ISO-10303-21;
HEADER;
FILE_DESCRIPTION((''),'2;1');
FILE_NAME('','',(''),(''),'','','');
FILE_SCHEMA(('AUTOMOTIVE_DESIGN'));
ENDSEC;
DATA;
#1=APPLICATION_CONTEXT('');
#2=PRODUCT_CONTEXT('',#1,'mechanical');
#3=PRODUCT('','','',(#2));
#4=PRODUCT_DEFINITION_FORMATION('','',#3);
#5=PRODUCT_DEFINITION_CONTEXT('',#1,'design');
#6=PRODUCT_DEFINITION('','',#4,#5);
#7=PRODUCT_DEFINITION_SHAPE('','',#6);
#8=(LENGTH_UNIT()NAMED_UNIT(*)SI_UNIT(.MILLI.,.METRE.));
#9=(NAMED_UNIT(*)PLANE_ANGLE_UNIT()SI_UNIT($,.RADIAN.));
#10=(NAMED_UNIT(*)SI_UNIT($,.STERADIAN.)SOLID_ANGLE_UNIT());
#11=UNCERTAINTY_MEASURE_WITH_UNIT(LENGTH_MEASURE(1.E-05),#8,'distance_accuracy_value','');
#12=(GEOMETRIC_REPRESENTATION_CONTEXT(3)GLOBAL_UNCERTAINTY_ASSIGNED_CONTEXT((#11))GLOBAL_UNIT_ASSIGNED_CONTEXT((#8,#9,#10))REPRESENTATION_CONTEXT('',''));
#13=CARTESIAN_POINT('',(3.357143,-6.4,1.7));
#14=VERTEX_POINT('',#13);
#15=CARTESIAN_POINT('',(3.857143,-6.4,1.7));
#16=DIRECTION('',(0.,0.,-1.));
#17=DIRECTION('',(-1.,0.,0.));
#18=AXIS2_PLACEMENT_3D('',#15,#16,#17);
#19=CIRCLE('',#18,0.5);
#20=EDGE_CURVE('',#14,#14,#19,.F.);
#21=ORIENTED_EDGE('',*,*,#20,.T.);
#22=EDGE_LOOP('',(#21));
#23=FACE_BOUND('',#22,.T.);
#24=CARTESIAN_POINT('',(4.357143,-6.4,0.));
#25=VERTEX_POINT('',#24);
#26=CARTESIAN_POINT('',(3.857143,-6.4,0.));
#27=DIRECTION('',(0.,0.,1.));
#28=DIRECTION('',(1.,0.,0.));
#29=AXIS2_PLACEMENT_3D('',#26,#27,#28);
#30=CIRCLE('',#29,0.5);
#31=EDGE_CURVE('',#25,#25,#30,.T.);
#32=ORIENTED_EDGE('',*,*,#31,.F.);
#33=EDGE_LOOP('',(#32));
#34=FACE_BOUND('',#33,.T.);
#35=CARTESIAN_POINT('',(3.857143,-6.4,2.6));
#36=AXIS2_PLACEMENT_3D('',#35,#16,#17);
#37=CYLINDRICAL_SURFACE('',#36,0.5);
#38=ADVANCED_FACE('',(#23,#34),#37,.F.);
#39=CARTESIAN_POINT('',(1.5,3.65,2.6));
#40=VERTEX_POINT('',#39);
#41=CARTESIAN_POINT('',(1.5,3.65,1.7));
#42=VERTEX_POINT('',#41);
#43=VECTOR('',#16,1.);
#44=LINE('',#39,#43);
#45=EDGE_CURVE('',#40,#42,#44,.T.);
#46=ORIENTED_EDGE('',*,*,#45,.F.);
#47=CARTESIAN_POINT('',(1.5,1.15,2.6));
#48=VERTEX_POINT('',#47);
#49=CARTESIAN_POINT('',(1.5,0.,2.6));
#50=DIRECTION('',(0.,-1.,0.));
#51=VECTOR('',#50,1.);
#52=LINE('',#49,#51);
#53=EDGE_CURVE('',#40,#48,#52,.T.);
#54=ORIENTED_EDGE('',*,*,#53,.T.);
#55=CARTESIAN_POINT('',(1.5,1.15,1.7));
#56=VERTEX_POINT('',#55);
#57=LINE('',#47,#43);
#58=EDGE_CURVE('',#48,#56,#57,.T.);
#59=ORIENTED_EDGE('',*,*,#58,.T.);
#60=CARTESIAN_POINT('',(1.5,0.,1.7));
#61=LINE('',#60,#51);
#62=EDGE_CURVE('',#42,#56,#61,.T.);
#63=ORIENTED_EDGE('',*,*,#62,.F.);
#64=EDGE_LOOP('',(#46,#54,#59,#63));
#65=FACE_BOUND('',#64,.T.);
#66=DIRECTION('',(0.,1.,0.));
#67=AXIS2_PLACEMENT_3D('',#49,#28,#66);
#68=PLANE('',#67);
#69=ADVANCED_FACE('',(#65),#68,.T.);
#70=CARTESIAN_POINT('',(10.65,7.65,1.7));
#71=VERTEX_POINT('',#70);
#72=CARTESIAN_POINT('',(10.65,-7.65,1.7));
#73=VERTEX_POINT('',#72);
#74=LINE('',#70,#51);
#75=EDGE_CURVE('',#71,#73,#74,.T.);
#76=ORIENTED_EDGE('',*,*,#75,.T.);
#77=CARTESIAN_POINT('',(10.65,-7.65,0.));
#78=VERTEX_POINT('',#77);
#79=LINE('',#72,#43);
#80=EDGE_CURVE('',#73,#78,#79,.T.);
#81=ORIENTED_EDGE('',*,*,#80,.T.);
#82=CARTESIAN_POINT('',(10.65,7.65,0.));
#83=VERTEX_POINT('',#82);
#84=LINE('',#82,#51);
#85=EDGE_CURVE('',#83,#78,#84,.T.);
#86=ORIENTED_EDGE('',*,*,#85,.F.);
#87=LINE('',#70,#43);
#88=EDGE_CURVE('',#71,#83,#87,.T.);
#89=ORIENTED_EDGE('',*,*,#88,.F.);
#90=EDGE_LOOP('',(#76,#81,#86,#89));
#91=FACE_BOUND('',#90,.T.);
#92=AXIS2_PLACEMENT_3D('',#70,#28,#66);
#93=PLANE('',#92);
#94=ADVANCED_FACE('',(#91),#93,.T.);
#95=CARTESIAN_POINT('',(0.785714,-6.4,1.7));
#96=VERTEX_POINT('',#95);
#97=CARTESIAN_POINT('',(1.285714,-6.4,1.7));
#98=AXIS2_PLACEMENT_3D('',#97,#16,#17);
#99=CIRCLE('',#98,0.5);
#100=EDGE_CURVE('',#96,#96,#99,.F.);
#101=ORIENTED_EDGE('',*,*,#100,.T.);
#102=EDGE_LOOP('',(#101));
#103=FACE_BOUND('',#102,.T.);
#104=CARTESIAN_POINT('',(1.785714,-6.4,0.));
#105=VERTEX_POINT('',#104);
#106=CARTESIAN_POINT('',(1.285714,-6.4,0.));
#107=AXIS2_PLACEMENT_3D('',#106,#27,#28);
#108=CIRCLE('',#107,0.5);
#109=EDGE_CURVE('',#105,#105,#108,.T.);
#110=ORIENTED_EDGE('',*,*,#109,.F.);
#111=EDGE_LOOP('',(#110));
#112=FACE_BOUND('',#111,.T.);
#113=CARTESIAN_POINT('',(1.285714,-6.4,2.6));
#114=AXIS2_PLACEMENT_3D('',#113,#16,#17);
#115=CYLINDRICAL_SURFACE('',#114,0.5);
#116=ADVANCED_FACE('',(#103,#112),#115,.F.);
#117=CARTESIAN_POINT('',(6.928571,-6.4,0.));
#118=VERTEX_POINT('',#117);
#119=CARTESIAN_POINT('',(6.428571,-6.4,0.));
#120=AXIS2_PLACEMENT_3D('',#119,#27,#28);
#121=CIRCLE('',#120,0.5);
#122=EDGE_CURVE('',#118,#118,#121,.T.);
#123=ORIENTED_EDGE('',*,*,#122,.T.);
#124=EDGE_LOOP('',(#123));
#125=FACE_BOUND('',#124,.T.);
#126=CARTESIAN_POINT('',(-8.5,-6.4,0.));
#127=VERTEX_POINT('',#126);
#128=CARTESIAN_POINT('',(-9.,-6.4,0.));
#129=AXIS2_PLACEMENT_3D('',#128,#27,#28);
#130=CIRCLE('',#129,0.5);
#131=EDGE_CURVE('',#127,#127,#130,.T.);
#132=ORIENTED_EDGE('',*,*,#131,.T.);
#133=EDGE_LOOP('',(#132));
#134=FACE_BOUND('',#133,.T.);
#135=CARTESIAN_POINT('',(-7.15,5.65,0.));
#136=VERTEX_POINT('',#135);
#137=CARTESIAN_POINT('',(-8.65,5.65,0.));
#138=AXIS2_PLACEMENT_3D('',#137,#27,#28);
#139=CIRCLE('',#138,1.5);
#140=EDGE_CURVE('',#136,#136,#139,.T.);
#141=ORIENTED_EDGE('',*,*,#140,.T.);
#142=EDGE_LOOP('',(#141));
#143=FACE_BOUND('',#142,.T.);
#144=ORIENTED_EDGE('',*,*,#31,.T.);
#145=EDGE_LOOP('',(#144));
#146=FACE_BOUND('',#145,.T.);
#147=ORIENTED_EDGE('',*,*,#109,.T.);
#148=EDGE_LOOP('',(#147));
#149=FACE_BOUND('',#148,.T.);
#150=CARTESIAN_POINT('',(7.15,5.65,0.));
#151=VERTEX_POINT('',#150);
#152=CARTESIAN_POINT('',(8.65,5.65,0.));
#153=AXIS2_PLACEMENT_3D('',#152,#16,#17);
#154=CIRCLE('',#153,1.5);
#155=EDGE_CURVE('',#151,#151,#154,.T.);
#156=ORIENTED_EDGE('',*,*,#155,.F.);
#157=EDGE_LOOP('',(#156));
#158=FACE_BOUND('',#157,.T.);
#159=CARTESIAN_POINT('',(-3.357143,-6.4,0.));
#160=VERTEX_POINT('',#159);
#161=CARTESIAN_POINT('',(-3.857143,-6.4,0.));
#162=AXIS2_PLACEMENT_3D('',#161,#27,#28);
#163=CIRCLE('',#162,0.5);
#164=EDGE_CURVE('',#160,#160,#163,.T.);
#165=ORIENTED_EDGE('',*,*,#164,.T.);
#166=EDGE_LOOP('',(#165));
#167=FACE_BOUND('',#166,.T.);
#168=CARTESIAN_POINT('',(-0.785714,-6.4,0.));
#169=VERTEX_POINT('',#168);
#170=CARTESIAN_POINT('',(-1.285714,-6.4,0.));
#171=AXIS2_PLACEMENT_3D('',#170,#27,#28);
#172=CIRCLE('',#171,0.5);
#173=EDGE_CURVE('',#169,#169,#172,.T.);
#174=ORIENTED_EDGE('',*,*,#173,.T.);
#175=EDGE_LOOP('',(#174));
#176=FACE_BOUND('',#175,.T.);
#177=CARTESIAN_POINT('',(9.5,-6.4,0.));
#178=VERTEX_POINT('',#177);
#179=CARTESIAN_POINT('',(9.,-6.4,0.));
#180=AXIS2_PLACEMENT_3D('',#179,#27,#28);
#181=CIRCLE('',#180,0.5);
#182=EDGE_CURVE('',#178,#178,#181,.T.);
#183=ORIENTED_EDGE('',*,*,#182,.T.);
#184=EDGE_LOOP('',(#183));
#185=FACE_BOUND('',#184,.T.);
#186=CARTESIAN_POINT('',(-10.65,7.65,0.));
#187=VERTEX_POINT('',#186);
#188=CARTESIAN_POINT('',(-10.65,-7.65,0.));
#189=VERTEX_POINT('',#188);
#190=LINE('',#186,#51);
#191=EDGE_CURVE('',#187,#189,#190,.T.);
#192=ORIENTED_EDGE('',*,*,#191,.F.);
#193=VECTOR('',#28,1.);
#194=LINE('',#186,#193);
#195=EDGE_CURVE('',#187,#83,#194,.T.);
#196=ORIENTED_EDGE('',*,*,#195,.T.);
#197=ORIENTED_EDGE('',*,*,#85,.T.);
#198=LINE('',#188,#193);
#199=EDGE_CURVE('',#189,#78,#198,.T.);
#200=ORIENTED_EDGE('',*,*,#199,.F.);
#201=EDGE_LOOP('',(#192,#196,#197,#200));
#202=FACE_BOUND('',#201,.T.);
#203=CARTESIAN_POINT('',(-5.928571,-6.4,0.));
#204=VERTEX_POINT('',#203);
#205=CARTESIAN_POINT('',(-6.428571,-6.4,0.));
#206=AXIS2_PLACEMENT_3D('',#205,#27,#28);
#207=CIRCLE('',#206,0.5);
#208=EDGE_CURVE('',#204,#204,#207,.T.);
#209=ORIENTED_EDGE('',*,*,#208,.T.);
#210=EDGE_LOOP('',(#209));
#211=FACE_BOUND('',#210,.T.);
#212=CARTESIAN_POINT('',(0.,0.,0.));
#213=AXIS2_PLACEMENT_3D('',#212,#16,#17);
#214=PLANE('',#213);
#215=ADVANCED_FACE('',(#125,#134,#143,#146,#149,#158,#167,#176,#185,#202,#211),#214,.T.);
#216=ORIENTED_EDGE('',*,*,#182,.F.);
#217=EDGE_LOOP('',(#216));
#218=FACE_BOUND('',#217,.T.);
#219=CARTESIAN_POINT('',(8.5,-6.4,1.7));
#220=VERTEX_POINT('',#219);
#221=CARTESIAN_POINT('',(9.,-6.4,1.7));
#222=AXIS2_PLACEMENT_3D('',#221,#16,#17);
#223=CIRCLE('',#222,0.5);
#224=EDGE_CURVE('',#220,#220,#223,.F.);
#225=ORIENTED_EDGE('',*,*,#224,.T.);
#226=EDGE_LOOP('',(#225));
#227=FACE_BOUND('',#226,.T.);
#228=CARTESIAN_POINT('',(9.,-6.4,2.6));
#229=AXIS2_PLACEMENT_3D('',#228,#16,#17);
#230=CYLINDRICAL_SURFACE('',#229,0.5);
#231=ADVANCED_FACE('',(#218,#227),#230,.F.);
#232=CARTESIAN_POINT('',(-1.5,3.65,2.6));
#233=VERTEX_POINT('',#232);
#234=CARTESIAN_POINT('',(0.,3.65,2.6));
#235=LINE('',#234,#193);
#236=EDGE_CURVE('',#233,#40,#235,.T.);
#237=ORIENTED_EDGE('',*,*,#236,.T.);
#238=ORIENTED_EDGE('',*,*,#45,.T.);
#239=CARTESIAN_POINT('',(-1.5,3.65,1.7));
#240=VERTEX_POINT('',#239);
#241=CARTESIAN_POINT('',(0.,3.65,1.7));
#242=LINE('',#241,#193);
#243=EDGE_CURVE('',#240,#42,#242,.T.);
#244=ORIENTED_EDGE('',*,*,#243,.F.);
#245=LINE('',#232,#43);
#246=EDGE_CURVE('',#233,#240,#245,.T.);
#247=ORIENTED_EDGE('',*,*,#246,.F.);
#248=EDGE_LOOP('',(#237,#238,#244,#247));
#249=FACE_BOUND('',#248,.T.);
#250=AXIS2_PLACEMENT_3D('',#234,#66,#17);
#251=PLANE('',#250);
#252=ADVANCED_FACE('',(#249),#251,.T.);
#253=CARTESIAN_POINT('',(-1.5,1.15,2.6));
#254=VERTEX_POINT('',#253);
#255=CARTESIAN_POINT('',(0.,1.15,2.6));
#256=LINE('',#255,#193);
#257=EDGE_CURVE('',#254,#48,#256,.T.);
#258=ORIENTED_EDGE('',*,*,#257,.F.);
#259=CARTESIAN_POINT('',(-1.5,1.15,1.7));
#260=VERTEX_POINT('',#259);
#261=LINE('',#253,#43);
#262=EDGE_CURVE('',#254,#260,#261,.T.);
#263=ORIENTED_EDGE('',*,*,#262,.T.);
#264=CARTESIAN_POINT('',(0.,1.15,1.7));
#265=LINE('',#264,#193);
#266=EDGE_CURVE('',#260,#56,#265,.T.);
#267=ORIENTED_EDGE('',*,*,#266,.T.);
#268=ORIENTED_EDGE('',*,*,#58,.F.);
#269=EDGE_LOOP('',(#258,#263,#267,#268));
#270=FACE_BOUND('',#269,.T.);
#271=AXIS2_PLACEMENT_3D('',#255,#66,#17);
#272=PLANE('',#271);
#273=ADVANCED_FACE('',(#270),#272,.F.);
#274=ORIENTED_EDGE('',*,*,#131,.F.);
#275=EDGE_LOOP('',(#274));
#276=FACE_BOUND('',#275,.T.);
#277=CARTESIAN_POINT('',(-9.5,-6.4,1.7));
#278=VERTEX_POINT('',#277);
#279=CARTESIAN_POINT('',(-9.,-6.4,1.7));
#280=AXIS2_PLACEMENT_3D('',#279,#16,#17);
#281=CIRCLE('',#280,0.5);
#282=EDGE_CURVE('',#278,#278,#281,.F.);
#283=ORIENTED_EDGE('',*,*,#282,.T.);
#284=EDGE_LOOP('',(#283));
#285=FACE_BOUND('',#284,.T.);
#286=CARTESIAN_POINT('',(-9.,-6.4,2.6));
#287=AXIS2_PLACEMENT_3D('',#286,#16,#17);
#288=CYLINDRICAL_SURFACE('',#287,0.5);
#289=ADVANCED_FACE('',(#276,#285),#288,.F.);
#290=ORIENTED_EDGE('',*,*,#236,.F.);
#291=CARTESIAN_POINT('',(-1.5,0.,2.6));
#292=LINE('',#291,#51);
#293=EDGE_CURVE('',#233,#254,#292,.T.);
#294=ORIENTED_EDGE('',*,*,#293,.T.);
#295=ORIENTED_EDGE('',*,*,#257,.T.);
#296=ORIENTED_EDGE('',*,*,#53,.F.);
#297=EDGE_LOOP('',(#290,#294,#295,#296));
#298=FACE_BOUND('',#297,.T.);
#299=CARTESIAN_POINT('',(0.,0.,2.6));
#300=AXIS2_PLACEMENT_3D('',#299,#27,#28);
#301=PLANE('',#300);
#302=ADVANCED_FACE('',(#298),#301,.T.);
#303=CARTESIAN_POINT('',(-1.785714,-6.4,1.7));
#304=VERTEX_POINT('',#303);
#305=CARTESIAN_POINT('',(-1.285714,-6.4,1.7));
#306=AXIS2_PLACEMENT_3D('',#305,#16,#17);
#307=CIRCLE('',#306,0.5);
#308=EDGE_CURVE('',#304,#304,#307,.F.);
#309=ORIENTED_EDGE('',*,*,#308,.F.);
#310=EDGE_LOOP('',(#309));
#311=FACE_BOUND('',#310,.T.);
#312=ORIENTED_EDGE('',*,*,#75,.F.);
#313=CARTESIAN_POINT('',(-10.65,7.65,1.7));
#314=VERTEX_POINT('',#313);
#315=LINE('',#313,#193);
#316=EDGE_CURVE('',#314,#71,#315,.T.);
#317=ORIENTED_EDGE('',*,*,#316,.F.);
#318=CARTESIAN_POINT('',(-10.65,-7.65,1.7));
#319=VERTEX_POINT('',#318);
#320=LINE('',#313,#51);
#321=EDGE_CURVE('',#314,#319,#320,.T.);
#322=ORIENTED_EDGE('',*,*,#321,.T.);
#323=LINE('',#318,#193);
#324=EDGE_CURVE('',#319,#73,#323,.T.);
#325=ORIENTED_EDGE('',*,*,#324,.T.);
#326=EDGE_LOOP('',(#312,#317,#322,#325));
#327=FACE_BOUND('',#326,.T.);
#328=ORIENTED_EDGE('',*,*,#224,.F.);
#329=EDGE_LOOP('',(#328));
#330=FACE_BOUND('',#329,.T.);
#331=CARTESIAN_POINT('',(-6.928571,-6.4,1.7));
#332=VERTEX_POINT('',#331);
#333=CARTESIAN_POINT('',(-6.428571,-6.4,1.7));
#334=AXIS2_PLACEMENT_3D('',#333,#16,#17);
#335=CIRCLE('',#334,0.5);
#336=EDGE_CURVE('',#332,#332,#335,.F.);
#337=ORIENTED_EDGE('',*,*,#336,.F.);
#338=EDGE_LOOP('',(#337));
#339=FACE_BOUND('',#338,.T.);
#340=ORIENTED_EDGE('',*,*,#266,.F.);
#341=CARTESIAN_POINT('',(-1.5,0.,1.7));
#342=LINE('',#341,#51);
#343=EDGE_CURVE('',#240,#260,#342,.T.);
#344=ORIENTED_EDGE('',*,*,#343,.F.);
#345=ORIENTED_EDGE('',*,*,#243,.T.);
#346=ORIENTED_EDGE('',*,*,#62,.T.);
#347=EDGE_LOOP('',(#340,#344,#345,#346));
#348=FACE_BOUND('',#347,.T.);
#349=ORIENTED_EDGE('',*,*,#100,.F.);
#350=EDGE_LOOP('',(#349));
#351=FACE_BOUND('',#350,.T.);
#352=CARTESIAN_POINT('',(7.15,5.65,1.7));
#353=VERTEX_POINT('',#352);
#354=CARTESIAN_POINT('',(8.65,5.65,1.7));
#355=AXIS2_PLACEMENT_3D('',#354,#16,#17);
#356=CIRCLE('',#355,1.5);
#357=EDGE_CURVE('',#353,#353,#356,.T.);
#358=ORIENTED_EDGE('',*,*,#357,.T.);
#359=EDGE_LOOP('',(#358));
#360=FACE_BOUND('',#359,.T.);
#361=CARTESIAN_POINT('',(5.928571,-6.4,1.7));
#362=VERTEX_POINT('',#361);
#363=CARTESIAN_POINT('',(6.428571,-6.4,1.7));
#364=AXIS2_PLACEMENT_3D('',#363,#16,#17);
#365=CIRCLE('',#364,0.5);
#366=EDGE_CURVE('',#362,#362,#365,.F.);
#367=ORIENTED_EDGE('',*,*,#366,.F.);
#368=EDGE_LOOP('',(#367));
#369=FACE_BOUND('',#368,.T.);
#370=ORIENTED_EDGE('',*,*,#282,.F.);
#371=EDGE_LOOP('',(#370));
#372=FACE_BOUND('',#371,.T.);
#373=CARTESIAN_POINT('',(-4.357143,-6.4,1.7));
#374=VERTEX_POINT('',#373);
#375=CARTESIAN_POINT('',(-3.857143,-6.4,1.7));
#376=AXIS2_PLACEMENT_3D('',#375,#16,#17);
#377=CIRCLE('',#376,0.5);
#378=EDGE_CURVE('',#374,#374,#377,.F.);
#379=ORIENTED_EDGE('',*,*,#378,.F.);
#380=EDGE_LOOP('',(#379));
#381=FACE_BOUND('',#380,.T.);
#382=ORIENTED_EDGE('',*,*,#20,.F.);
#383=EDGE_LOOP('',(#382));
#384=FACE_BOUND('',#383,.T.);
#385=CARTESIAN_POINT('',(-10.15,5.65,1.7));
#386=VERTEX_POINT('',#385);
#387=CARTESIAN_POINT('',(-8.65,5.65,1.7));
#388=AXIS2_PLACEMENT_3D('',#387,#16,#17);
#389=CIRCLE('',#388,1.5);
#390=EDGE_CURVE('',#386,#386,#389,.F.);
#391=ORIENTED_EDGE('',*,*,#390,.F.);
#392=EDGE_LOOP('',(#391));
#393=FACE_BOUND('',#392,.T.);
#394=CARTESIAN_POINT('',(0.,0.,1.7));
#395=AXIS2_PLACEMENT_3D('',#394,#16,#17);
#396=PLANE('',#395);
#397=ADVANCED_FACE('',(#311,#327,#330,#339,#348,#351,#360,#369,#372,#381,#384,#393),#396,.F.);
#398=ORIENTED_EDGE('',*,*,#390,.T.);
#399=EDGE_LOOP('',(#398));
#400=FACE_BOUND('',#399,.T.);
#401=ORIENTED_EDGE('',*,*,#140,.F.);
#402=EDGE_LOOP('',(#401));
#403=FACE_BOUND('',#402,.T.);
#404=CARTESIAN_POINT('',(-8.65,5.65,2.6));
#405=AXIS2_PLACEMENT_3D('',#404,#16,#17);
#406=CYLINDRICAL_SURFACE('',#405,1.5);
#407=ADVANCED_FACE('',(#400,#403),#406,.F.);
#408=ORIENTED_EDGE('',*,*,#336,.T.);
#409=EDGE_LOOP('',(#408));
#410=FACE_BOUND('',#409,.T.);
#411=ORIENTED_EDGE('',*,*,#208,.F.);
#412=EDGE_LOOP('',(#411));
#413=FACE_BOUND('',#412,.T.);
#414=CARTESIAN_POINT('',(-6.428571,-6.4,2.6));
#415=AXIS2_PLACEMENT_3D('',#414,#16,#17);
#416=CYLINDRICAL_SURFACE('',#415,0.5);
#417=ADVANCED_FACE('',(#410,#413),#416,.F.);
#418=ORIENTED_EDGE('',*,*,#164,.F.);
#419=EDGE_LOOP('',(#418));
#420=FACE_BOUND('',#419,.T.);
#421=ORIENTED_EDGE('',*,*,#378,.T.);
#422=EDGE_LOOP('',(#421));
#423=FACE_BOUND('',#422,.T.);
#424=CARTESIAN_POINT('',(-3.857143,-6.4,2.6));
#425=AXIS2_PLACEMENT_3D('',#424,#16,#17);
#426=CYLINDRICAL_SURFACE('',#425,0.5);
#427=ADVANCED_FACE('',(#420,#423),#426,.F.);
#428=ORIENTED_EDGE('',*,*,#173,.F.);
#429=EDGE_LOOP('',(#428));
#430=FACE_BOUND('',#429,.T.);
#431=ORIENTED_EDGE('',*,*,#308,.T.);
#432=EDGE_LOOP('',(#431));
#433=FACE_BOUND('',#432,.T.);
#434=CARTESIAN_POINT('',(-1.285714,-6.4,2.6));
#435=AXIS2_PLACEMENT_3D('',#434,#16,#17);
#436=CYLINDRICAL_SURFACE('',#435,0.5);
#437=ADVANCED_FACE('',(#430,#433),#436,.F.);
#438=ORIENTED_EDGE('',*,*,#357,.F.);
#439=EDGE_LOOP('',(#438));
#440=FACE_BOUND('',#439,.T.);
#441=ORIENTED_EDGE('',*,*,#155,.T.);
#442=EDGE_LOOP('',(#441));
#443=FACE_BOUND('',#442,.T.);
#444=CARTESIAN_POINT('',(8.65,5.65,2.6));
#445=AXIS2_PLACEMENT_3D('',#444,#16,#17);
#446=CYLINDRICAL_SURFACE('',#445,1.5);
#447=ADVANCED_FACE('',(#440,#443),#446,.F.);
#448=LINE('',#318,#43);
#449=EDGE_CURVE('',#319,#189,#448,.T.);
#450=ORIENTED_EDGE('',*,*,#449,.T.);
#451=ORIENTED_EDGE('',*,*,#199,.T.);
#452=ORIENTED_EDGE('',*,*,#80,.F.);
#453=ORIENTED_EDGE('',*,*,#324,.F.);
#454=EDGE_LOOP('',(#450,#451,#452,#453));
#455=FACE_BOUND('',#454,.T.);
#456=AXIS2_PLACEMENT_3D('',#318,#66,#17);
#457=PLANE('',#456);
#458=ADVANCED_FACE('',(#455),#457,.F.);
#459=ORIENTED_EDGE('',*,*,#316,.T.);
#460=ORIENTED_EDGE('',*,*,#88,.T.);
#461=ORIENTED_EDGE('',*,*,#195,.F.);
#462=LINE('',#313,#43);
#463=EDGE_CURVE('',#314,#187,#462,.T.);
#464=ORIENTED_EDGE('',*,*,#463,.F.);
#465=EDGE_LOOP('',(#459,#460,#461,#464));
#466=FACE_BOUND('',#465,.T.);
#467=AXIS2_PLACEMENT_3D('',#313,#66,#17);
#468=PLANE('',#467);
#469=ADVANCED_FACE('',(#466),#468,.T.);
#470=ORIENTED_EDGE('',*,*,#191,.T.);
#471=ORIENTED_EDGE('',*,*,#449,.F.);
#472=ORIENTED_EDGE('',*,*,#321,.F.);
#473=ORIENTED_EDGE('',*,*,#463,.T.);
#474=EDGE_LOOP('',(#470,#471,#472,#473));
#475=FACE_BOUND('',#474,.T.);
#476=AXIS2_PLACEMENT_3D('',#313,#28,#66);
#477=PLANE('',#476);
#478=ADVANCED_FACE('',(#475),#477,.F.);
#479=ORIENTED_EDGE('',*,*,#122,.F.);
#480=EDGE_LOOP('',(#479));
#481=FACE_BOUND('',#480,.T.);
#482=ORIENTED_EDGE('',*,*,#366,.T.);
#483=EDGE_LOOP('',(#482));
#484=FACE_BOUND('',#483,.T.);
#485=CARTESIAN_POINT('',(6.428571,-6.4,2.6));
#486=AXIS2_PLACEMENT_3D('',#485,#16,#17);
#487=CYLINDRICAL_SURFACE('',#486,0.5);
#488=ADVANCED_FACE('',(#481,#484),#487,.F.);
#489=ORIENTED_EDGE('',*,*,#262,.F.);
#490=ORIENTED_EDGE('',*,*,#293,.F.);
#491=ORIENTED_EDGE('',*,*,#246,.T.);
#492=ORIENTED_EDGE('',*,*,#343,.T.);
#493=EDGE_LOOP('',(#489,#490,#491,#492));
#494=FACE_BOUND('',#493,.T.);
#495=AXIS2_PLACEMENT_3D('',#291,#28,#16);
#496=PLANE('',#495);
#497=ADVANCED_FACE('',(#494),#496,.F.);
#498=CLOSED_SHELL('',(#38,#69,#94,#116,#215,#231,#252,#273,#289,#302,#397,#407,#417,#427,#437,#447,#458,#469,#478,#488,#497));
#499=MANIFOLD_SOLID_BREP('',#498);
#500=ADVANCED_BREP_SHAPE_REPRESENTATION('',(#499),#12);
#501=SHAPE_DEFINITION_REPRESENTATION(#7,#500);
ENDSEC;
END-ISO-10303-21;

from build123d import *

# Parameters (mm, degrees)
SKETCH1_W           = 21.3
SKETCH1_H           = 15.3
BOSS_EXTRUDE1_DEPTH = 1.7
BOSS_EXTRUDE2_START = 1.7
SKETCH1_3_W         = 3
SKETCH1_3_H         = 2.5
BOSS_EXTRUDE2_DEPTH = 0.9
SKETCH1_4_R         = 0.5
SKETCH1_4_R_2       = 1.5
CUT_EXTRUDE1_DEPTH  = 14.368058947


with BuildPart() as part:
    # Sketch1 → Boss-Extrude1 (new body)
    with BuildSketch(Plane.XY):
        Rectangle(SKETCH1_W, SKETCH1_H)
    extrude(amount=BOSS_EXTRUDE1_DEPTH)

    # Sketch1<3> → Boss-Extrude2 (add)
    with BuildSketch(Plane.XY.offset(BOSS_EXTRUDE2_START)):
        with Locations((0, 2.4)):
            Rectangle(SKETCH1_3_W, SKETCH1_3_H)
    extrude(amount=BOSS_EXTRUDE2_DEPTH)

    # Sketch1<4> → Cut-Extrude1 (cut, through all)
    with BuildSketch(Plane.XY):
        with Locations(Location((3.857142857, -6.4, 0), (0, 0, 180))):
            Circle(SKETCH1_4_R)
        with Locations(Location((-8.65, 5.65, 0), (0, 0, 180))):
            Circle(SKETCH1_4_R_2)
        with Locations(Location((8.65, 5.65, 0), (0, 0, 180))):
            Circle(SKETCH1_4_R_2)
        with Locations(Location((-9, -6.4, 0), (0, 0, 180))):
            Circle(SKETCH1_4_R)
        with Locations(Location((-6.428571429, -6.4, 0), (0, 0, 180))):
            Circle(SKETCH1_4_R)
        with Locations(Location((-3.857142857, -6.4, 0), (0, 0, 180))):
            Circle(SKETCH1_4_R)
        with Locations(Location((-1.285714286, -6.4, 0), (0, 0, 180))):
            Circle(SKETCH1_4_R)
        with Locations(Location((1.285714286, -6.4, 0), (0, 0, 180))):
            Circle(SKETCH1_4_R)
        with Locations(Location((6.428571429, -6.4, 0), (0, 0, 180))):
            Circle(SKETCH1_4_R)
        with Locations(Location((9, -6.4, 0), (0, 0, 180))):
            Circle(SKETCH1_4_R)
    extrude(amount=CUT_EXTRUDE1_DEPTH, mode=Mode.SUBTRACT)


solid = part.part
